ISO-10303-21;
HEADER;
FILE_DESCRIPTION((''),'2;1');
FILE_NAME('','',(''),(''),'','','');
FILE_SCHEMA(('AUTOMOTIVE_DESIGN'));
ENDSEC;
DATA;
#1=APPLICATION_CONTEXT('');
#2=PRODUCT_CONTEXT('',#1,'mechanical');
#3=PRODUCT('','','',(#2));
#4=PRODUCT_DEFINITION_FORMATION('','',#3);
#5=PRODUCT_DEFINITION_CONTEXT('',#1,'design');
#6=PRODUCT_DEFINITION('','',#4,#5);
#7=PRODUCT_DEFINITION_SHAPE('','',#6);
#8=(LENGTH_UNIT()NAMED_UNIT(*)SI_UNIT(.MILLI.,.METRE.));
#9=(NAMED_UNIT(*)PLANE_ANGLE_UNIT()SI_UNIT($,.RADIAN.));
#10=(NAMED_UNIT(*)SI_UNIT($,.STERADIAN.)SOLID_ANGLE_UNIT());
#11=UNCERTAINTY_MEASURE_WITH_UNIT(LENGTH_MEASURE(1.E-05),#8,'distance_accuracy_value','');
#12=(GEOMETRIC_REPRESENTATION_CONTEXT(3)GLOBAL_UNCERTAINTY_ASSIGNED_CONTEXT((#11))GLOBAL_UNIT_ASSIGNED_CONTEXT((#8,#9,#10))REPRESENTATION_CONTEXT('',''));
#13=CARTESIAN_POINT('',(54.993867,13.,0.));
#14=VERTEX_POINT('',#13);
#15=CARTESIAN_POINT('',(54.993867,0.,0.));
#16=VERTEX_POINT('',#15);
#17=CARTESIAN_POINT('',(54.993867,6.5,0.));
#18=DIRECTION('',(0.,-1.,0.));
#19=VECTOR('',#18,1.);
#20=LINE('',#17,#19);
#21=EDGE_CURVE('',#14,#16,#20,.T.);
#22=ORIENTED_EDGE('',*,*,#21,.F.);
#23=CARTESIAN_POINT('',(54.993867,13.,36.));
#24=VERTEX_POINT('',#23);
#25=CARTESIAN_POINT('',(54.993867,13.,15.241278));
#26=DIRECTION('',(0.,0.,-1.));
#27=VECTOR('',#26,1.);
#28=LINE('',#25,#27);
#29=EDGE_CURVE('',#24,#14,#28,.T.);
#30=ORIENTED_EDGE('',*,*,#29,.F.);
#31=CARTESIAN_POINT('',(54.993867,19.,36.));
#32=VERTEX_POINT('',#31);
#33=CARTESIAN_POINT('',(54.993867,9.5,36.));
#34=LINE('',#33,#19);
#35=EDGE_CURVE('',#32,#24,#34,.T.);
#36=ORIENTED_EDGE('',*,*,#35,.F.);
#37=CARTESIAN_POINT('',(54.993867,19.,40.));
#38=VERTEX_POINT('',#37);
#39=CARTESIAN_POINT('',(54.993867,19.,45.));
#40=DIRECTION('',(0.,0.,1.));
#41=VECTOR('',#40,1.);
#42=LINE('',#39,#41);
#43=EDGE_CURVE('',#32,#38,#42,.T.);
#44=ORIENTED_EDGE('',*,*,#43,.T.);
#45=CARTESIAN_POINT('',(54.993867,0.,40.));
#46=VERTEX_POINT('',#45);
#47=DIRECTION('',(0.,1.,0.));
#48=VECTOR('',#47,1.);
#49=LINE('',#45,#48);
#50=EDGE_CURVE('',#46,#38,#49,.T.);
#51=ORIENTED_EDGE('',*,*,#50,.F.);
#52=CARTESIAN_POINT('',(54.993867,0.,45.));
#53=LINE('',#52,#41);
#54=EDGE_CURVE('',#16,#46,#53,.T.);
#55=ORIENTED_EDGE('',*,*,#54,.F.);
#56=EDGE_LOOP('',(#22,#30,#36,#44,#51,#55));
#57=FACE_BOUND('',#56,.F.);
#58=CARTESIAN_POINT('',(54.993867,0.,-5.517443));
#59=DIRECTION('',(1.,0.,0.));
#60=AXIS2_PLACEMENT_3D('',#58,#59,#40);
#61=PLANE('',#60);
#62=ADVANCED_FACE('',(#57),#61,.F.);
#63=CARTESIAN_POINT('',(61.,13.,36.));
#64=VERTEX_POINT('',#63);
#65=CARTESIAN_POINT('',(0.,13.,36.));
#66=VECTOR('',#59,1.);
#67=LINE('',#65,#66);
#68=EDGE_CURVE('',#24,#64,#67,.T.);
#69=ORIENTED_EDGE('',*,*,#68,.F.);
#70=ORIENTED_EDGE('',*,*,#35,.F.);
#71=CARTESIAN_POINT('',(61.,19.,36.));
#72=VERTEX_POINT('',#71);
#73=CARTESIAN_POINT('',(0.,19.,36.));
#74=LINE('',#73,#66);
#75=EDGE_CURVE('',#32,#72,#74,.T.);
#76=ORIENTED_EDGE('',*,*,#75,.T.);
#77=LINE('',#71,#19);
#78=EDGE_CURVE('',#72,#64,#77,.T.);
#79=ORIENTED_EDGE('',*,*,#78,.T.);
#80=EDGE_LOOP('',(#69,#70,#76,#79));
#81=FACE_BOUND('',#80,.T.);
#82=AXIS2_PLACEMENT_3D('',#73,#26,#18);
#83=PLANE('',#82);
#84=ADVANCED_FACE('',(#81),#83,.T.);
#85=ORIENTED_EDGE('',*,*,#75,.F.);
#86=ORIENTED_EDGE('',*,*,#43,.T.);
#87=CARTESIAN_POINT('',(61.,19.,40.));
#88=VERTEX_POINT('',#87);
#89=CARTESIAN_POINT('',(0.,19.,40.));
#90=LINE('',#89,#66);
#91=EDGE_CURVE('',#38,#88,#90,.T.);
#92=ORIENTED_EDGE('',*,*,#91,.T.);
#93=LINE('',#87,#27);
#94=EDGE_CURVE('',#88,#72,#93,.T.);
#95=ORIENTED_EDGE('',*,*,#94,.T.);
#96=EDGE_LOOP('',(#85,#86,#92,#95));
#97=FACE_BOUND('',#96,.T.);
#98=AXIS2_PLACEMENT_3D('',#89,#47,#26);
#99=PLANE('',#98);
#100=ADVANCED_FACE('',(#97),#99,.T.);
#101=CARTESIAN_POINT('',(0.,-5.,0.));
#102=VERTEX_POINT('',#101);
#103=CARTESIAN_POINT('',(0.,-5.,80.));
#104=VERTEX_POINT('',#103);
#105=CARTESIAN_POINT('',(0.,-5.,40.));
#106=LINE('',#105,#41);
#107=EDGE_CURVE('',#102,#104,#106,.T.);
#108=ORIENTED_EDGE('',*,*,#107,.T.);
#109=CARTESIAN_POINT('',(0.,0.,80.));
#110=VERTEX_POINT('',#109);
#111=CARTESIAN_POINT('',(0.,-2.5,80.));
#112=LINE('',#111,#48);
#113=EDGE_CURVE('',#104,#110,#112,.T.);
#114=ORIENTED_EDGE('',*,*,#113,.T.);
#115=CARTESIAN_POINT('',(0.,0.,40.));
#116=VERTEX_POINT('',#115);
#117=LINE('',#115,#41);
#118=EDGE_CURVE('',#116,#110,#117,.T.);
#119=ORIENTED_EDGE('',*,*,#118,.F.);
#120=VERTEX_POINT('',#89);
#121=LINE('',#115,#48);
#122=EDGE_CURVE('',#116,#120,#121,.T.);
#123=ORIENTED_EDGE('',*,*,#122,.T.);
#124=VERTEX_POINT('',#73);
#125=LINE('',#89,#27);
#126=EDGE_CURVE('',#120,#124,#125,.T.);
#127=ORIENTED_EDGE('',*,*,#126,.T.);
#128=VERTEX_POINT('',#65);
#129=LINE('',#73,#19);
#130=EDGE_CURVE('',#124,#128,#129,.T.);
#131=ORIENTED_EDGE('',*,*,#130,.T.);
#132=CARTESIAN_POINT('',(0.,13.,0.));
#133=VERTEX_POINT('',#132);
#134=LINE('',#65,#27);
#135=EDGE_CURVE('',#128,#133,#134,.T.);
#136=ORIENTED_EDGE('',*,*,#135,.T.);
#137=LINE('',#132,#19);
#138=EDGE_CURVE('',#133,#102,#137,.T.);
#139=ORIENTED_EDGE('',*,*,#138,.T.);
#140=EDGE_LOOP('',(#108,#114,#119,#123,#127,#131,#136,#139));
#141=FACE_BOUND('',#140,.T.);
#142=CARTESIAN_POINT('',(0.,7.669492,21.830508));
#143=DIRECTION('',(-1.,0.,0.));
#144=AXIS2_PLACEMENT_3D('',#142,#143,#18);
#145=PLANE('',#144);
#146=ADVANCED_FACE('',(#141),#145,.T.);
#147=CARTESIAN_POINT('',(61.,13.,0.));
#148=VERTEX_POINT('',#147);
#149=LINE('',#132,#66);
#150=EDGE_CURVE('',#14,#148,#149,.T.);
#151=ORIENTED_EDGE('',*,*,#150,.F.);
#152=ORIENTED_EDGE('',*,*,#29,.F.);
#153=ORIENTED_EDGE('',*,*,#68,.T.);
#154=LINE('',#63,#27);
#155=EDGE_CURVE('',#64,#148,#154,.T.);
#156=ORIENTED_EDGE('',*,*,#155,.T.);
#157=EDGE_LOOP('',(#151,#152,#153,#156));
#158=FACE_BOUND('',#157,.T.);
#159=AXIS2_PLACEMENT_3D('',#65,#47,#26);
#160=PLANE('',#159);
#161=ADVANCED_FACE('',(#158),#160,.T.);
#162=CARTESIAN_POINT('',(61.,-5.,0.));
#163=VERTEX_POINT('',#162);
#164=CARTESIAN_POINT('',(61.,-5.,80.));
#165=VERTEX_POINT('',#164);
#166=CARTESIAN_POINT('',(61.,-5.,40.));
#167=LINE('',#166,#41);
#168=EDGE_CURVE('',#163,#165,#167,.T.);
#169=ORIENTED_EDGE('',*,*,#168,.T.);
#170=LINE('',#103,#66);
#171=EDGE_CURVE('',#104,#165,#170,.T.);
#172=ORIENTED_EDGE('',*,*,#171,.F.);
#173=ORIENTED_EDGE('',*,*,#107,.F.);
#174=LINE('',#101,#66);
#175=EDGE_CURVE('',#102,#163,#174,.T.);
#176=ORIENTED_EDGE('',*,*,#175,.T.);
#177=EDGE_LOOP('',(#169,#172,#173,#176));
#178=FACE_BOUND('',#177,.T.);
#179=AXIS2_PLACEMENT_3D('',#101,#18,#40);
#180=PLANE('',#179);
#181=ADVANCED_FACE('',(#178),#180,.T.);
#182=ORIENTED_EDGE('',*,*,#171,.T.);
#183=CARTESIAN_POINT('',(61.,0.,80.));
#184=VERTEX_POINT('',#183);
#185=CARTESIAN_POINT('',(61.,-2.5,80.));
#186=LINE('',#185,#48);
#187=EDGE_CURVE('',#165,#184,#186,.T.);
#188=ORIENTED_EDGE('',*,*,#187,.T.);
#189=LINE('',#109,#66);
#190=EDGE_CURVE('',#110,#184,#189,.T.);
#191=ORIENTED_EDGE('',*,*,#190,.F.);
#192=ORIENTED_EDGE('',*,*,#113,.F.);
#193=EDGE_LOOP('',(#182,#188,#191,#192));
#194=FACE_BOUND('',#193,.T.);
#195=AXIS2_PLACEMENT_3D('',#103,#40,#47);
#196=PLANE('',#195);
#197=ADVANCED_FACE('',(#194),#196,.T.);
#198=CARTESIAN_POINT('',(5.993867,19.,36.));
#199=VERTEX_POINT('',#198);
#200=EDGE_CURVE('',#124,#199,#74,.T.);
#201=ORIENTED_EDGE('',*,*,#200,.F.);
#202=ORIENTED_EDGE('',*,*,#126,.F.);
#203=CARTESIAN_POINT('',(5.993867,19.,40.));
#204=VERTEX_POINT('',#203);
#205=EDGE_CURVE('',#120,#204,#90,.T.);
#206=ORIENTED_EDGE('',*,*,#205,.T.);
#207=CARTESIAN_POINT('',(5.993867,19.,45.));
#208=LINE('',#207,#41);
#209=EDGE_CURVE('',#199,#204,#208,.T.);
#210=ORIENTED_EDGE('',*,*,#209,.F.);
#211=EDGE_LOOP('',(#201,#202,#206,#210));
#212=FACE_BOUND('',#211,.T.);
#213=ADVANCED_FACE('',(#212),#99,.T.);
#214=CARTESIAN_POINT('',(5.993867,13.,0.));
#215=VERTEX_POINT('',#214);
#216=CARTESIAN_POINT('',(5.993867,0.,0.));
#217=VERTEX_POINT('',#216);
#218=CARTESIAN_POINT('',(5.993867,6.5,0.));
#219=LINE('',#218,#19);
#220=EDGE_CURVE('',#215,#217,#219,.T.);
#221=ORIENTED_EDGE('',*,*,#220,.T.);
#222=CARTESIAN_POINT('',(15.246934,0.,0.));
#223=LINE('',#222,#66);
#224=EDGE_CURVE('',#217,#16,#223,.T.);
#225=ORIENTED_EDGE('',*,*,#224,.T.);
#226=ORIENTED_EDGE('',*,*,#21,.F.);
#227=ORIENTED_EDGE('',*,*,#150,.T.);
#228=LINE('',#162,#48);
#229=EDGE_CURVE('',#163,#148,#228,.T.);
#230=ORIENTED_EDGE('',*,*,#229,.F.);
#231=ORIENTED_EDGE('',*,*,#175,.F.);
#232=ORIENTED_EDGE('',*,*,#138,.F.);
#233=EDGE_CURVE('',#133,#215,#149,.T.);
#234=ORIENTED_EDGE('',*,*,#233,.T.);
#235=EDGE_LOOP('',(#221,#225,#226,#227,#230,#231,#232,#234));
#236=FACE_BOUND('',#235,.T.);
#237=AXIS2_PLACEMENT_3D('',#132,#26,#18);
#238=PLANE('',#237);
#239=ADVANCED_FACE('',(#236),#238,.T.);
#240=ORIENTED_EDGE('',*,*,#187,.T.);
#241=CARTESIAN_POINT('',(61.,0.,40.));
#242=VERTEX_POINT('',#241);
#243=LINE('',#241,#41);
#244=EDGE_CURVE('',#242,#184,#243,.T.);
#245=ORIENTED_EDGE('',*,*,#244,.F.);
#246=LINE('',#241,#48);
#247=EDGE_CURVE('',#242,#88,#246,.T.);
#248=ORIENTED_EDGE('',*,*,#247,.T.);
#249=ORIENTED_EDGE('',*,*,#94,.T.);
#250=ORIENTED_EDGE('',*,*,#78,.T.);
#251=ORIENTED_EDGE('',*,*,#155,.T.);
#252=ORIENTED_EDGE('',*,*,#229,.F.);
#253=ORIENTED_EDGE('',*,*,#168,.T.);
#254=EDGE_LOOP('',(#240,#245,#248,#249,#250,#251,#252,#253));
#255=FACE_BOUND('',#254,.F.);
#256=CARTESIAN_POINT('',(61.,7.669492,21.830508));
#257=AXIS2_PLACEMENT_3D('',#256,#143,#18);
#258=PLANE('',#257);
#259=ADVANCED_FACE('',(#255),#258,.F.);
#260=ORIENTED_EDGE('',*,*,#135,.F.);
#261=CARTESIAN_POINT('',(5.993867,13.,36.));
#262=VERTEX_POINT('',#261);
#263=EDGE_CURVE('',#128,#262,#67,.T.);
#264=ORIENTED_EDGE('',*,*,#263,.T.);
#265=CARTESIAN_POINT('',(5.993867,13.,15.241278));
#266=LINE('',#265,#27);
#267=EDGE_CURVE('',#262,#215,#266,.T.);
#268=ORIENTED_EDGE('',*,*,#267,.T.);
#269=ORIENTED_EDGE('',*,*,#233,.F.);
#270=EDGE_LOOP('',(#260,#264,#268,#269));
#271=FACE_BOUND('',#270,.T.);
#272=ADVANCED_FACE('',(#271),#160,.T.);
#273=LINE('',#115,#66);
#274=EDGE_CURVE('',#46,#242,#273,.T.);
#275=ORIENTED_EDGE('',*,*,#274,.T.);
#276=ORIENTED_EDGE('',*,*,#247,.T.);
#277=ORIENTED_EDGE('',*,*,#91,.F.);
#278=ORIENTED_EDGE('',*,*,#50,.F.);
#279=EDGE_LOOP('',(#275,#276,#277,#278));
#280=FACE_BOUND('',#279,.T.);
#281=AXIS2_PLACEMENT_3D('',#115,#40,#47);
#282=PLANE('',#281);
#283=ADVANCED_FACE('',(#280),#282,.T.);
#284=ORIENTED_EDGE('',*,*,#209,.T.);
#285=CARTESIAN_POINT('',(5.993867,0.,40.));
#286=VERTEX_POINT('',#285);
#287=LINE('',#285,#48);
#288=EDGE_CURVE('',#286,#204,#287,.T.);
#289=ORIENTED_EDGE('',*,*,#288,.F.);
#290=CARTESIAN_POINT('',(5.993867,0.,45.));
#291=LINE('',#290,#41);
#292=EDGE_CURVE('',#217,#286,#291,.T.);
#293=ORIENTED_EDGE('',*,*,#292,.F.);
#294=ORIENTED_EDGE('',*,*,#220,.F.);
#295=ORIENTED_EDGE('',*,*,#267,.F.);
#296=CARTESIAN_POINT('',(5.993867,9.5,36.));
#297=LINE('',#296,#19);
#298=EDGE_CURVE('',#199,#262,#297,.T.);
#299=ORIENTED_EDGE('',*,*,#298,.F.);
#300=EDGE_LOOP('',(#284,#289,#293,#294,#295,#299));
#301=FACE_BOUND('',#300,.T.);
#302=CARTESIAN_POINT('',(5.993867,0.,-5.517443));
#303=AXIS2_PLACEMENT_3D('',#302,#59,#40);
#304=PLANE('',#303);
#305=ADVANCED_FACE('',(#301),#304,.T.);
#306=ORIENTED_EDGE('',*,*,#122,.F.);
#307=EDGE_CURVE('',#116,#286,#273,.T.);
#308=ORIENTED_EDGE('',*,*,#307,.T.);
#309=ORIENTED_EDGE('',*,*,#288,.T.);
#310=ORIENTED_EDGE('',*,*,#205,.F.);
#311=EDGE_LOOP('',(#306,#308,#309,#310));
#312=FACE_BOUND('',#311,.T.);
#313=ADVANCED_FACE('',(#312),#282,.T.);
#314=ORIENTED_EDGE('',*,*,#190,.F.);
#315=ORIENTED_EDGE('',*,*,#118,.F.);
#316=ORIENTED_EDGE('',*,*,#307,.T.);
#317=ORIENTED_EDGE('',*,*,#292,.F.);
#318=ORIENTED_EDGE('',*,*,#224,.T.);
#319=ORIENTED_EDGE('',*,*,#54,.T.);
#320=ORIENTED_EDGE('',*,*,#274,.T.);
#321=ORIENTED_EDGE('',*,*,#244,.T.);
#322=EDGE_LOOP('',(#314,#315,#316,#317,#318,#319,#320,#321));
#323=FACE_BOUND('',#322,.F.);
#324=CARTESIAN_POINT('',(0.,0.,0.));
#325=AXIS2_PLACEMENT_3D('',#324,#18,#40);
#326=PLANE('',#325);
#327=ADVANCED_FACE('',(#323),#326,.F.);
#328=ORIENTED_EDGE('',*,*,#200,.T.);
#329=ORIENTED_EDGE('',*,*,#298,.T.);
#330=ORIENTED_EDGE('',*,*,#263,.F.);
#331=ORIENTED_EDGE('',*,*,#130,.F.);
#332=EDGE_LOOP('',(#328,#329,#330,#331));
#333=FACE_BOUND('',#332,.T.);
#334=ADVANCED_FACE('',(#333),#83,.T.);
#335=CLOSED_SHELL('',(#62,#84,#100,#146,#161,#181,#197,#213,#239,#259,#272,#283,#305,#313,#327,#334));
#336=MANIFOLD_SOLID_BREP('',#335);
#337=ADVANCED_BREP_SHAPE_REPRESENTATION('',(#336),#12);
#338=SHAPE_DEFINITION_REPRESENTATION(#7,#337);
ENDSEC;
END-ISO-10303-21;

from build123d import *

# Parameters (mm, degrees)
SKETCH_W     = 5
SKETCH_H     = 80
PAD_DEPTH    = 61
PAD001_DEPTH = 61
SKETCH002_W  = 49
SKETCH002_H  = 101.034886
POCKET_DEPTH = 19


with BuildPart() as part:
    # Sketch (on YZ_Plane of Origin) → Pad (new body)
    with BuildSketch(Plane.YZ):
        with Locations((-2.5, 40)):
            Rectangle(SKETCH_W, SKETCH_H)
    extrude(amount=PAD_DEPTH)

    # Sketch001 (on Face5 of Pad) → Pad001 (join)
    with BuildSketch(Plane(origin=(0, 0, 0), x_dir=(0, -1, 0), z_dir=(-1, 0, 0))):
        Polygon((0, 0), (0, 36), (0, 40), (-19, 40), (-19, 36), (-13, 36), (-13, 0), align=None)
    extrude(amount=-PAD001_DEPTH)

    # Sketch002 (on Face1 of Pad001) → Pocket (cut)
    with BuildSketch(Plane(origin=(0, 0, 0), x_dir=(-1, 0, 0), z_dir=(0, 1, 0))):
        with Locations((-30.493867, 45)):
            Rectangle(SKETCH002_W, SKETCH002_H)
    extrude(amount=POCKET_DEPTH, mode=Mode.SUBTRACT)


solid = part.part
